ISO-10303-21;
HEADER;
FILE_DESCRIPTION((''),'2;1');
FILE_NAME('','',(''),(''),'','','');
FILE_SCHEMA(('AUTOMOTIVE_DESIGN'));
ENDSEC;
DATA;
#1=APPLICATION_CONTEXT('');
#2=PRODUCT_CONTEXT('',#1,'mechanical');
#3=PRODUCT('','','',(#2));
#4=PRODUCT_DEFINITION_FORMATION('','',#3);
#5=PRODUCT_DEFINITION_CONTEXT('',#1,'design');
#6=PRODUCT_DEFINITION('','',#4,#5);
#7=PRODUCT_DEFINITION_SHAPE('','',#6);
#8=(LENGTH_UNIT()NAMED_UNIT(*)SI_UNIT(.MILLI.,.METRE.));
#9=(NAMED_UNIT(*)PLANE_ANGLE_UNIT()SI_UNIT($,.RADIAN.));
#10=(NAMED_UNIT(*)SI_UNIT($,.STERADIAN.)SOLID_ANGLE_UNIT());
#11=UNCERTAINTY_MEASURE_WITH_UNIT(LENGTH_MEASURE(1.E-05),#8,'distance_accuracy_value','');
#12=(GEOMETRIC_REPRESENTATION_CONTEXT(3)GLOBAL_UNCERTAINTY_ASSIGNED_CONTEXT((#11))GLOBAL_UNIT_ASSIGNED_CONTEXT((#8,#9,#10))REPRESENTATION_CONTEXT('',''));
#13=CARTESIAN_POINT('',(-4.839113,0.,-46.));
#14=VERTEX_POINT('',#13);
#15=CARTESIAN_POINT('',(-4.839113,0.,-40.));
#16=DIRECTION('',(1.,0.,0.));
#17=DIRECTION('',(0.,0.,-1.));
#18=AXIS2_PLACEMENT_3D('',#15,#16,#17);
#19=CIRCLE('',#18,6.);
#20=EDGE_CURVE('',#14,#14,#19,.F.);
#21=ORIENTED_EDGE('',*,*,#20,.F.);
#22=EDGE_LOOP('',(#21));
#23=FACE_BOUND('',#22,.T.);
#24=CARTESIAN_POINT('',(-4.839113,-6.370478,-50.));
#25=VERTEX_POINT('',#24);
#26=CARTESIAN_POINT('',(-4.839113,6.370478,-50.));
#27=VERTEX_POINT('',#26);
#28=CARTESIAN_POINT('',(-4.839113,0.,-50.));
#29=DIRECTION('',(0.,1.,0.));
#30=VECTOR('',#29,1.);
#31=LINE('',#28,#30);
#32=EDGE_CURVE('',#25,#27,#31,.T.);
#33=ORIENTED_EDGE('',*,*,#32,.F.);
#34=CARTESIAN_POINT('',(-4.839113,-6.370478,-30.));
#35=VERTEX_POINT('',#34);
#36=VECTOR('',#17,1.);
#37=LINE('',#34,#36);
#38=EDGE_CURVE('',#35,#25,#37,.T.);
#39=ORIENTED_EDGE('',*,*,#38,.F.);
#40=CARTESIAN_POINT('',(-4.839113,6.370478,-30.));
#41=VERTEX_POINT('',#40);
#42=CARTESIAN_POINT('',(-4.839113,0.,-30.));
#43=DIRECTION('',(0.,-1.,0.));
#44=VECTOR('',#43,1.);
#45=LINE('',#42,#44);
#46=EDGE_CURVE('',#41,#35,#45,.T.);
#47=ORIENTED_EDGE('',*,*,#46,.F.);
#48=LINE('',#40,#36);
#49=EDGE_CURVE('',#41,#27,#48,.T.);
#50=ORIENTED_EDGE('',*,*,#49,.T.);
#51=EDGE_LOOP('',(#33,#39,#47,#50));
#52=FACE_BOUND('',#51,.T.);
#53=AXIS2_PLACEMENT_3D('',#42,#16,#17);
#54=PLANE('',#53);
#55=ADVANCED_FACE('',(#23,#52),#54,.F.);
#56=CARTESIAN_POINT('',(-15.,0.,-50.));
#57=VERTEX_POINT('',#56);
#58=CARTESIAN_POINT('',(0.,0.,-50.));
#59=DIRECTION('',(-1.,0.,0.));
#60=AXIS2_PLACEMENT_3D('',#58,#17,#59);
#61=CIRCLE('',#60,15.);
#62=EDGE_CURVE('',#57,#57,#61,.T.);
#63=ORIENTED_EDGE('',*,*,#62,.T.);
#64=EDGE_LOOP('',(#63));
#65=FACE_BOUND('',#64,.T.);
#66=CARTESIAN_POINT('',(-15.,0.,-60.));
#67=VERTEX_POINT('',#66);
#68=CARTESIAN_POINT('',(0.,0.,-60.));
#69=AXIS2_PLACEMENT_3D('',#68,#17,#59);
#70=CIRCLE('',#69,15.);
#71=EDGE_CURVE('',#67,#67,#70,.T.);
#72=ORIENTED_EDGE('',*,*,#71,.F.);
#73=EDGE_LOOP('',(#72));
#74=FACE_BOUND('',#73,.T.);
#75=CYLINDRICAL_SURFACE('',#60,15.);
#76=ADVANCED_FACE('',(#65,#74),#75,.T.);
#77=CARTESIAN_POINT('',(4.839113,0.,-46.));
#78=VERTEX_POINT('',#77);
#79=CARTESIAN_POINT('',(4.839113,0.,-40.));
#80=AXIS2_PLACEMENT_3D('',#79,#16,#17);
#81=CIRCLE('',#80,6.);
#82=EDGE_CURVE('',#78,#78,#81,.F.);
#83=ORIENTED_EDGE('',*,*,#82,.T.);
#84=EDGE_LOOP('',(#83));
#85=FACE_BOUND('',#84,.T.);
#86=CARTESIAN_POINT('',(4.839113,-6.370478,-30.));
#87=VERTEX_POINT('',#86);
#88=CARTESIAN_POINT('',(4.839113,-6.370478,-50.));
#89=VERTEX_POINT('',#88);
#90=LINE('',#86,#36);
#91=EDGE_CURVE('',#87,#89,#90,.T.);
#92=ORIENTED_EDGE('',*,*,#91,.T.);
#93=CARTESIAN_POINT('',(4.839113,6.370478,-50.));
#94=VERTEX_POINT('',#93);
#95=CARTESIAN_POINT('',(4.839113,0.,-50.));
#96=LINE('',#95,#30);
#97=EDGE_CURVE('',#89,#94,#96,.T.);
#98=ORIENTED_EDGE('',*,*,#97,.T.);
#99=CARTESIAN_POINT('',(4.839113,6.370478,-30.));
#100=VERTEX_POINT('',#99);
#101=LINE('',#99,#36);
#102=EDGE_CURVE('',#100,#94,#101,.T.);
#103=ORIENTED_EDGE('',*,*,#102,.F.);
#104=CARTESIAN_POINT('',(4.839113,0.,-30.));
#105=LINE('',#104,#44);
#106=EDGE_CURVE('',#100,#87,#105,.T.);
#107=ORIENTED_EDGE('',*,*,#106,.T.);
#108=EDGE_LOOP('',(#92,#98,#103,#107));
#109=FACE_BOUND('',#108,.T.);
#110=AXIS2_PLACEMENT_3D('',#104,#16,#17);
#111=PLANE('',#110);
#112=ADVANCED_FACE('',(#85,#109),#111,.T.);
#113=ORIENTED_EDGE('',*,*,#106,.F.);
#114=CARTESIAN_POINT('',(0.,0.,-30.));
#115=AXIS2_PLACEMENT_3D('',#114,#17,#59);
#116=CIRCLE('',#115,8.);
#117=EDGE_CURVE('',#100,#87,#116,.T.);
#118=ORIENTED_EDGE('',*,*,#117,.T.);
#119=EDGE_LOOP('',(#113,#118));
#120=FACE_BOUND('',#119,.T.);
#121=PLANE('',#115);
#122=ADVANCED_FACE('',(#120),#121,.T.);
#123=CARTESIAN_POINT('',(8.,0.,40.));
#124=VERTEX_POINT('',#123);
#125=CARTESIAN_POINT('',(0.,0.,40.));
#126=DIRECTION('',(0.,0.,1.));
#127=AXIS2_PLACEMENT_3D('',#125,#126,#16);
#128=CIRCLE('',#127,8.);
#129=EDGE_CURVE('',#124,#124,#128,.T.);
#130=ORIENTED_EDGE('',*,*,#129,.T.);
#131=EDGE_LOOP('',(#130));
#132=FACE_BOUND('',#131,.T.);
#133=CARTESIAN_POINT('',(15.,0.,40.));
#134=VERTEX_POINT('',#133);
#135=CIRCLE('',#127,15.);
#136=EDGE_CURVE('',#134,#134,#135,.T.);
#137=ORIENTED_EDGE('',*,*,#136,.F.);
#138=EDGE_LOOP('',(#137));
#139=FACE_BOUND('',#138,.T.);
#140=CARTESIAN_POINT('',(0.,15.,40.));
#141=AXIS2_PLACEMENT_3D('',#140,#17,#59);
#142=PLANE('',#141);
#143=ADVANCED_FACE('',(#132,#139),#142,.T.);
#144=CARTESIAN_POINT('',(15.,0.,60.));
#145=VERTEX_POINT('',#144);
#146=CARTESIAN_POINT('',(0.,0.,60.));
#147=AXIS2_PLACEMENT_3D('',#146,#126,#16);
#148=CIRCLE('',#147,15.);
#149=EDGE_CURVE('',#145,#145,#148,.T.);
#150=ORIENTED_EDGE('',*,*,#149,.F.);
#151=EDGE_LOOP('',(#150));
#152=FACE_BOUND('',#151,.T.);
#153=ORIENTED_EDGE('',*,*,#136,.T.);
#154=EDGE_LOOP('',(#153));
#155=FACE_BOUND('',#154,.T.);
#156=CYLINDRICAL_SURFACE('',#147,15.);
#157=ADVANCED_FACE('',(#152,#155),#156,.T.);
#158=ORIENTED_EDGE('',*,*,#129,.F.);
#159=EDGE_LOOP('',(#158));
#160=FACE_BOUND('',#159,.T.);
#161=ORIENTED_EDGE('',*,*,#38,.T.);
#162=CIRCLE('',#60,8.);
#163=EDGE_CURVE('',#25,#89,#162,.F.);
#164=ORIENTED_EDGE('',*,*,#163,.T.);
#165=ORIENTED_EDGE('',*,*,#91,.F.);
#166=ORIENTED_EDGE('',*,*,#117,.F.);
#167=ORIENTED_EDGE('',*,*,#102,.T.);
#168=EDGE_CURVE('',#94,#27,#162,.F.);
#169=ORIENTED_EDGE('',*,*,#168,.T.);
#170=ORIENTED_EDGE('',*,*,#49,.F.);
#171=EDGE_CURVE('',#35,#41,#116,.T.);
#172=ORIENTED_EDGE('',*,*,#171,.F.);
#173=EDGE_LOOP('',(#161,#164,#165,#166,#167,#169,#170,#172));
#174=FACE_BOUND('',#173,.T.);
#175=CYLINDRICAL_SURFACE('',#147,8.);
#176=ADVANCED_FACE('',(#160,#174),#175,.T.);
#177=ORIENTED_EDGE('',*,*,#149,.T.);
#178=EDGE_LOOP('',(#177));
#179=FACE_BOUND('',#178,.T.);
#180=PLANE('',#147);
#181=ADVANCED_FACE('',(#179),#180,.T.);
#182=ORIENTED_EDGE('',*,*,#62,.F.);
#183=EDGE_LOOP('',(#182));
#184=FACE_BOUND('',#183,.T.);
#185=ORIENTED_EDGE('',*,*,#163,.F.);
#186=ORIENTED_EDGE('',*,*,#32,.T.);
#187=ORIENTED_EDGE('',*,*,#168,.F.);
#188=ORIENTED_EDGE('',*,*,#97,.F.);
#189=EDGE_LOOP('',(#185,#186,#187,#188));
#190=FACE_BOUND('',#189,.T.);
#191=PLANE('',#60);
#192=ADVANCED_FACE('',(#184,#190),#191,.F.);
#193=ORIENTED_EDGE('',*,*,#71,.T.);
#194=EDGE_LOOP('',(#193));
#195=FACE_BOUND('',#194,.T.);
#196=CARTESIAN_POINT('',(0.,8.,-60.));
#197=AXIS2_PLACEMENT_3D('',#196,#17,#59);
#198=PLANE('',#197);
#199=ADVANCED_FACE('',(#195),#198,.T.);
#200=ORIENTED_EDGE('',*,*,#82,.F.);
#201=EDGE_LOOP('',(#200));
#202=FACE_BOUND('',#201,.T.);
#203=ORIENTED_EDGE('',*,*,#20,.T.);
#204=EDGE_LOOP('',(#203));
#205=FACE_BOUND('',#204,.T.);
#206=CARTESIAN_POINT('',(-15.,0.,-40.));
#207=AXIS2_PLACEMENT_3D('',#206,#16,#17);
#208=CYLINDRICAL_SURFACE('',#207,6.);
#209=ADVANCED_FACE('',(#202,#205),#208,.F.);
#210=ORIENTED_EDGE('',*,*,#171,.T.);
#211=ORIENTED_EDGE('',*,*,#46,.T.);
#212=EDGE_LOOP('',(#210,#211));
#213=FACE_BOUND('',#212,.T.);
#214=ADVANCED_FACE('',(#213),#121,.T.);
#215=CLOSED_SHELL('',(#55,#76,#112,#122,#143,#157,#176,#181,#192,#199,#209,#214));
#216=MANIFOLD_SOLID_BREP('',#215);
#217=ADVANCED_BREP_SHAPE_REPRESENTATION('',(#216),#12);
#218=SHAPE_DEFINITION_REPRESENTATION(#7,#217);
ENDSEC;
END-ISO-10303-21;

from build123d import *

# Parameters (mm, degrees)
CORTE_EXTRUS_O1_DEPTH      = 64.639610307
CORTE_EXTRUS_O1_DEPTH_BACK = 64.639610307
ESBO_O2_R                  = 6
CORTE_EXTRUS_O2_START      = -30
CORTE_EXTRUS_O2_DEPTH      = 30
BOSS_EXTRUDE1_START        = -10
SKETCH1_R                  = 15
BOSS_EXTRUDE1_DEPTH        = 10


with BuildPart() as part:
    # Esboço1 → Revolução1 (revolve)
    with BuildSketch(Plane(origin=(0, 0, 0), x_dir=(0, 0, -1), z_dir=(1, 0, 0)), mode=Mode.PRIVATE) as revolu_o1_sk:
        Polygon((-60, 0), (60, 0), (60, 8), (-40, 8), (-40, 15), (-60, 15), align=None)
    revolve(revolu_o1_sk.sketch.rotate(Axis((0, 0, 60), (0, 0, -1)), 90), axis=Axis((0, 0, 60), (0, 0, -1)))

    # Esboço2 → Corte-extrusão1 (cut, two sides: drawn at the far end of the back side and taken through both)
    with BuildSketch(Plane(origin=(0, 0, 0), x_dir=(0, 0, -1), z_dir=(1, 0, 0)).offset(-CORTE_EXTRUS_O1_DEPTH_BACK)):
        with Locations((40, 0)):
            Circle(ESBO_O2_R)
    extrude(amount=CORTE_EXTRUS_O1_DEPTH + CORTE_EXTRUS_O1_DEPTH_BACK, mode=Mode.SUBTRACT)

    # Esboço3 → Corte-extrusão2 (cut)
    with BuildSketch(Plane(origin=(0, 0, -60), x_dir=(-1, 0, 0), z_dir=(0, 0, -1)).offset(CORTE_EXTRUS_O2_START)):
        with BuildLine():
            Line((-4.839112888, -6.370477726), (-4.839112888, 6.370477726))
            ThreePointArc((-4.839112888, 6.370477726), (-8, 0), (-4.839112888, -6.370477726))
        make_face()
        with BuildLine():
            ThreePointArc((8, 0), (7.166341574, 3.555776771), (4.839112888, 6.370477726))
            Line((4.839112888, 6.370477726), (4.839112888, -6.370477726))
            ThreePointArc((4.839112888, -6.370477726), (7.166341574, -3.555776771), (8, 0))
        make_face()
    extrude(amount=CORTE_EXTRUS_O2_DEPTH, mode=Mode.SUBTRACT)

    # Sketch1 → Boss-Extrude1 (add)
    with BuildSketch(Plane(origin=(0, 0, -60), x_dir=(-1, 0, 0), z_dir=(0, 0, -1)).offset(BOSS_EXTRUDE1_START)):
        with Locations(Location((0, 0, 0), (0, 0, 180))):
            Circle(SKETCH1_R)
    extrude(amount=BOSS_EXTRUDE1_DEPTH)


solid = part.part
